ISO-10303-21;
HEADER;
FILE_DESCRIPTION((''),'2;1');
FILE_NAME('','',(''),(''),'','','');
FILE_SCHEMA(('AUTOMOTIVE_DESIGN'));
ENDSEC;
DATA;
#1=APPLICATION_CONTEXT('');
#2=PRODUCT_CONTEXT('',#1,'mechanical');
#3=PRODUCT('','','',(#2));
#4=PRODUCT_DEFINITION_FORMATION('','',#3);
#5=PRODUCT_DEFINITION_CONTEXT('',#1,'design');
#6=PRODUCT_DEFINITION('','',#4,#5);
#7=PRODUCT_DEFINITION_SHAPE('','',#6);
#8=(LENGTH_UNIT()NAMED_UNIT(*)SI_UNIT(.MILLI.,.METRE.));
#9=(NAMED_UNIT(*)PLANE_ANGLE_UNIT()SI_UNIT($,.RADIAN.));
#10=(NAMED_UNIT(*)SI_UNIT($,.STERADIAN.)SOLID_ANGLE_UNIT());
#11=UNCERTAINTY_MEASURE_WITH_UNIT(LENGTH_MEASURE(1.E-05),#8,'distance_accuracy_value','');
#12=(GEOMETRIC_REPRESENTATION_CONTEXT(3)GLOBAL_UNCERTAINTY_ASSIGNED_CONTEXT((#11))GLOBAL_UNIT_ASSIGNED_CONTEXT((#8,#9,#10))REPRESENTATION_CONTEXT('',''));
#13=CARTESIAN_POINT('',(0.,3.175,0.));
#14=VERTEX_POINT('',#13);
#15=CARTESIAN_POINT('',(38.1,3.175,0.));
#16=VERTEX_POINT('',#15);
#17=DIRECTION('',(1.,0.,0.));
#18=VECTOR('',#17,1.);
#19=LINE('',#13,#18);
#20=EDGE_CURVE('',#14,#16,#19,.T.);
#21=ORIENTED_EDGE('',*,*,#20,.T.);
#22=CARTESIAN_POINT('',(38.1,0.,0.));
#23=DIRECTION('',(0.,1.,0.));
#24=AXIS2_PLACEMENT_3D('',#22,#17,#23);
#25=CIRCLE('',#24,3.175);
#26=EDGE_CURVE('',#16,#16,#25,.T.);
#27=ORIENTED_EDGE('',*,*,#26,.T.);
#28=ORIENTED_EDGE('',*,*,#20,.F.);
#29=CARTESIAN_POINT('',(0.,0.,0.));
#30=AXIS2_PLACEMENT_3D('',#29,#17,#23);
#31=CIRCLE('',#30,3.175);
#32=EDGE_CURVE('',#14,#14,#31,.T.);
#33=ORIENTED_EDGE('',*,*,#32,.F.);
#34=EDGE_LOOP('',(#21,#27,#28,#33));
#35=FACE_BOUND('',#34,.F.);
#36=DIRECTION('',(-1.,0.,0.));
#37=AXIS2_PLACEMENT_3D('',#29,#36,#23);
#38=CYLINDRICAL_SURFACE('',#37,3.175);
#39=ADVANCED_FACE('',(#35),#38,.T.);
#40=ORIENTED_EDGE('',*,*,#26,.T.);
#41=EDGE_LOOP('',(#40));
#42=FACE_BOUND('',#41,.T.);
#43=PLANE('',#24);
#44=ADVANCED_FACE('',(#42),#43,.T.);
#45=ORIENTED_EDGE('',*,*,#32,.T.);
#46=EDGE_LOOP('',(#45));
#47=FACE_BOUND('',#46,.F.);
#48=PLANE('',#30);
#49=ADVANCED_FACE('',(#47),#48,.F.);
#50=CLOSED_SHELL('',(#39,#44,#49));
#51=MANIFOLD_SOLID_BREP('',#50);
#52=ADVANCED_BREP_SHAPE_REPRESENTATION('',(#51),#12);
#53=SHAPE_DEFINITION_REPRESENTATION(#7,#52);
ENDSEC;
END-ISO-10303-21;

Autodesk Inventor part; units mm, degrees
ref_plane "YZ Plane" through (0, 0, 0) normal (1, 0, 0) x (0, 1, 0)
ref_plane "XZ Plane" through (0, 0, 0) normal (0, 1, 0) x (-1, 0, 0)
ref_plane "XY Plane" through (0, 0, 0) normal (0, 0, 1) x (1, 0, 0)
sketch "Sketch1" plane through (0, 0, 0) normal (1, 0, 0) x (0, 1, 0)
  circle A0 centre (0, 0) radius 3.175
  dimension "d0" = 6.35
extrude "Extrusion1" add sketch "Sketch1" along normal blind 38.1
properties part number "Motor_Shaft" material "Stainless Steel"
